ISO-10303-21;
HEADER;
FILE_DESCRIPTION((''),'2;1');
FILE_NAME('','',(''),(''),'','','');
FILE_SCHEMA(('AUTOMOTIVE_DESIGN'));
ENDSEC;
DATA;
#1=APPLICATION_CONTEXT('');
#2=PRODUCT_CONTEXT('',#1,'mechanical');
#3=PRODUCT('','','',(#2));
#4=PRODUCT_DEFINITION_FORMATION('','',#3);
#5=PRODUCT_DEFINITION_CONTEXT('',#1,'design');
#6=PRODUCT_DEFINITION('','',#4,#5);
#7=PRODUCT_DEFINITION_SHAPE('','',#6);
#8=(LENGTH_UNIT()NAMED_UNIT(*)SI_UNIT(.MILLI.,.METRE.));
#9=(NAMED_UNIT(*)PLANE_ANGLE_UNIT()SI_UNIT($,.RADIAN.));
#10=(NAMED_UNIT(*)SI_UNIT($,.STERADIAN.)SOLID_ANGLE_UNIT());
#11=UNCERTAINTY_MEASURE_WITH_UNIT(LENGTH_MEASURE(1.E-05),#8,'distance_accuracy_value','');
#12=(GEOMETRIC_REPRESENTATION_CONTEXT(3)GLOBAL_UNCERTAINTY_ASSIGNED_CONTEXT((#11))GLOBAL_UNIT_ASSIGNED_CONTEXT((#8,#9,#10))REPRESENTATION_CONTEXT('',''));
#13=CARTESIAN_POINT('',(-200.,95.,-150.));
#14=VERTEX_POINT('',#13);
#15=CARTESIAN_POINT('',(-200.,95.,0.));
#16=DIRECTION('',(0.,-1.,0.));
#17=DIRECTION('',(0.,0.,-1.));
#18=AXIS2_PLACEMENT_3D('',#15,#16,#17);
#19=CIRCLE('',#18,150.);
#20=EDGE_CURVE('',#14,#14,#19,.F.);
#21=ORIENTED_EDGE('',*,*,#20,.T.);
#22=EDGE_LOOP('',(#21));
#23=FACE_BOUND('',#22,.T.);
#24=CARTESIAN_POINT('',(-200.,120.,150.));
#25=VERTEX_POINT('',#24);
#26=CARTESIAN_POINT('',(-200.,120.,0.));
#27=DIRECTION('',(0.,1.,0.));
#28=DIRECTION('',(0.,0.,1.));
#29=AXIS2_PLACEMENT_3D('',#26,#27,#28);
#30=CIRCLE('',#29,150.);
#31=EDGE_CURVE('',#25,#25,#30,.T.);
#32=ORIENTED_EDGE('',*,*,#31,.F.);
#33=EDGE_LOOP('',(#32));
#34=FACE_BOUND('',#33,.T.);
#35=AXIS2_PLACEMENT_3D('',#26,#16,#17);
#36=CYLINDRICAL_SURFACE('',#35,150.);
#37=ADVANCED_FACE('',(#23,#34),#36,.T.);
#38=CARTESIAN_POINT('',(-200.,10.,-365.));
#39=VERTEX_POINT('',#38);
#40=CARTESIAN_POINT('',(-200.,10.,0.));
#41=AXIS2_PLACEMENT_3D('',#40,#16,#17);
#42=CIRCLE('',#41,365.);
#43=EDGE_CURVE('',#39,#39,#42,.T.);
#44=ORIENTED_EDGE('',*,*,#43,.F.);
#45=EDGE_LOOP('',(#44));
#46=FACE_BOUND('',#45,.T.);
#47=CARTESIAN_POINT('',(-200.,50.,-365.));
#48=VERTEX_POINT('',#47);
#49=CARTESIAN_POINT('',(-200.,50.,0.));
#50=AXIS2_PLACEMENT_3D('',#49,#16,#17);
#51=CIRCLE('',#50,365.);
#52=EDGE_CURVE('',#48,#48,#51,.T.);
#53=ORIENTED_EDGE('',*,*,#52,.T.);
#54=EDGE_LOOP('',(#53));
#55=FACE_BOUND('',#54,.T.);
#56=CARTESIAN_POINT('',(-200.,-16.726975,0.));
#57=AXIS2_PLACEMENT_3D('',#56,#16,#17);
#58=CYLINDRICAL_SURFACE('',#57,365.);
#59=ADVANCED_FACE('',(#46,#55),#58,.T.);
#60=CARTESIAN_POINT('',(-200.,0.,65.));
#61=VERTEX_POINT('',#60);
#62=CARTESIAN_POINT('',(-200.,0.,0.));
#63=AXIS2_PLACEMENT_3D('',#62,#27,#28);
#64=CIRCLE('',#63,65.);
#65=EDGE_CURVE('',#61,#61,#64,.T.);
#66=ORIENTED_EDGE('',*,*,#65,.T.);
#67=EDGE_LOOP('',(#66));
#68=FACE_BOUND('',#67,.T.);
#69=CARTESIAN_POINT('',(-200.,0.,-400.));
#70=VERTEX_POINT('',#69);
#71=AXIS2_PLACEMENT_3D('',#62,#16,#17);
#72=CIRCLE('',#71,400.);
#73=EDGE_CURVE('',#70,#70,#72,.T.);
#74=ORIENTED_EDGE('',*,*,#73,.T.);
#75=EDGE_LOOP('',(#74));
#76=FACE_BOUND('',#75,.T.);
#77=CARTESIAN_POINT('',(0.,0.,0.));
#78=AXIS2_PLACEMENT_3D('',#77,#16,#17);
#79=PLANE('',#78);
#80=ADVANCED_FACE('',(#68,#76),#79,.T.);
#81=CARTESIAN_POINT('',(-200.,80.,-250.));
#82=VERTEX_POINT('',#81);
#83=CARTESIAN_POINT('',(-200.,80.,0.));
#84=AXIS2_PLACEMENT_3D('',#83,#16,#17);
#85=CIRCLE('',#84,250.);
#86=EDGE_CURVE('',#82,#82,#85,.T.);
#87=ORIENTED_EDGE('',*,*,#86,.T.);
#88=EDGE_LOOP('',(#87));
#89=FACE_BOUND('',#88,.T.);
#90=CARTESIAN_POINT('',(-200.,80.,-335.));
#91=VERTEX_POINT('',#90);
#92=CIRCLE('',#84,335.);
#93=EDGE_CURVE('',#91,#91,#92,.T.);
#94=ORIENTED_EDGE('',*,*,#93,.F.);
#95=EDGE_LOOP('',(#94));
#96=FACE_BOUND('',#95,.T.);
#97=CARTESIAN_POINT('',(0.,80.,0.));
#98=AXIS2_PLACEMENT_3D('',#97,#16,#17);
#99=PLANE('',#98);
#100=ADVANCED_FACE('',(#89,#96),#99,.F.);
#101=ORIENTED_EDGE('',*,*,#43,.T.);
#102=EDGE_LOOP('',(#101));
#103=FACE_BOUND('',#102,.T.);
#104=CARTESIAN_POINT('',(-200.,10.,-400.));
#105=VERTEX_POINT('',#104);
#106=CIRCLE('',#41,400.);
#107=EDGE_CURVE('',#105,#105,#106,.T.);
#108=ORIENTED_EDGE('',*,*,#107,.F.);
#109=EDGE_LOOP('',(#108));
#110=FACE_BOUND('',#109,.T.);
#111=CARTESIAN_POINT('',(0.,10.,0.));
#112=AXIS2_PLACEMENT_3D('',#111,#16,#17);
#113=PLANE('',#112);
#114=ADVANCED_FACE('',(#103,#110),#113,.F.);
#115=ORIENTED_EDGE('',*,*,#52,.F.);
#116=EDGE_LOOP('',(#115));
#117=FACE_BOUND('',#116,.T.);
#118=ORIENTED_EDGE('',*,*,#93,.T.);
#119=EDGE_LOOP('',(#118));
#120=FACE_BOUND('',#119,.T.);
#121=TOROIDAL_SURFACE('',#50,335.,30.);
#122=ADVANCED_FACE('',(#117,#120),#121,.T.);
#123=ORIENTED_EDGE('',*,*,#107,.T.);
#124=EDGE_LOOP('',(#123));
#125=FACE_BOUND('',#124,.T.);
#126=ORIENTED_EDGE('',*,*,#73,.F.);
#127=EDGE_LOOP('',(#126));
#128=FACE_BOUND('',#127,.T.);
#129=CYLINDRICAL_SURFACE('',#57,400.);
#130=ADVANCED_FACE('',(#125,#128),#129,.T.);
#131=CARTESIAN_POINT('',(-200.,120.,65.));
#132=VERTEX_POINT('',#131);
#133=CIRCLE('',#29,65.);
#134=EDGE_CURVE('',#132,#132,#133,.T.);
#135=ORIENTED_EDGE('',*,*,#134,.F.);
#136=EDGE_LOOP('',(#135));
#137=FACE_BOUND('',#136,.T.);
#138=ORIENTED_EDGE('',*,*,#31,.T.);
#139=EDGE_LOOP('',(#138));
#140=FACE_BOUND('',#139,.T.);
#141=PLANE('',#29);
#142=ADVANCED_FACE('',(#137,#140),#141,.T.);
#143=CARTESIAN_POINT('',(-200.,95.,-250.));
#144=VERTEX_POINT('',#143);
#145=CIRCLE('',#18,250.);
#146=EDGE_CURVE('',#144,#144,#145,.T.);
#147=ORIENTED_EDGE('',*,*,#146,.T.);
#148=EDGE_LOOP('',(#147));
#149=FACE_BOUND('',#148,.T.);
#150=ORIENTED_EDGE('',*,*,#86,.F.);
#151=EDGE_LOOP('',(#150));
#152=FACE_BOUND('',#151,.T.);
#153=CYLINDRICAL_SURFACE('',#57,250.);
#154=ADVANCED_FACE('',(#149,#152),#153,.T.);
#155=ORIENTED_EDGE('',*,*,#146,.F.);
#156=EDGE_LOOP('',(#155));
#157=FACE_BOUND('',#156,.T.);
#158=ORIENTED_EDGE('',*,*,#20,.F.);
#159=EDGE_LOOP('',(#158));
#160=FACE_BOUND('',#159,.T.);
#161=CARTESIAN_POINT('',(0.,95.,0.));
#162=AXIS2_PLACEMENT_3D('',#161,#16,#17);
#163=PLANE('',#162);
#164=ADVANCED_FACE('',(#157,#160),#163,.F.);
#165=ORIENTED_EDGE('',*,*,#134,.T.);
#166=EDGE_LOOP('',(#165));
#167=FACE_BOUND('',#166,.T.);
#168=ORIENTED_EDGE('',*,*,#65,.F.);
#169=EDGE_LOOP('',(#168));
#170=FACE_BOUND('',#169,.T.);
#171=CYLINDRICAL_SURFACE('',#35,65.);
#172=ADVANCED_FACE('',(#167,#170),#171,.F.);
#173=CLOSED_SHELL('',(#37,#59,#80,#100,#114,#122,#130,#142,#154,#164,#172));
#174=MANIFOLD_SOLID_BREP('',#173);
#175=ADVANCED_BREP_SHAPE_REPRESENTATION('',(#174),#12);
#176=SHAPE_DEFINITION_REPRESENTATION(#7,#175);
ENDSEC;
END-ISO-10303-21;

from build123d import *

# Parameters (mm, degrees)
SKETCH4_R           = 150
SKETCH4_R_2         = 65
BOSS_EXTRUDE3_DEPTH = 40
SKETCH5_R           = 50
CUT_EXTRUDE1_DEPTH  = 11
SKETCH6_R           = 65
CUT_EXTRUDE2_DEPTH  = 121


with BuildPart() as part:
    # Sketch1 → Revolve2 (revolve)
    with BuildSketch(Plane.XY):
        with BuildLine():
            Line((-200, 10), (-200, 0))
            Line((-200, 0), (200, 0))
            Line((200, 0), (200, 10))
            Line((200, 10), (165, 10))
            Line((165, 10), (165, 50))
            ThreePointArc((165, 50), (156.213203436, 71.213203436), (135, 80))
            Line((135, 80), (50, 80))
            Line((50, 80), (50, 95))
            Line((50, 95), (-50, 95))
            Line((-50, 95), (-50, 80))
            Line((-50, 80), (-135, 80))
            ThreePointArc((-135, 80), (-156.213203436, 71.213203436), (-165, 50))
            Line((-165, 50), (-165, 10))
            Line((-165, 10), (-200, 10))
        make_face()
    revolve(axis=Axis((-200, -16.726974685, 0), (0, 1, 0)))

    # Sketch4 → Boss-Extrude3 (add)
    with BuildSketch(Plane(origin=(0, 80, 0), x_dir=(1, 0, 0), z_dir=(0, 1, 0))):
        with Locations((-200, 0)):
            Circle(SKETCH4_R)
        with Locations((-200, 0)):
            Circle(SKETCH4_R_2, mode=Mode.SUBTRACT)
    extrude(amount=BOSS_EXTRUDE3_DEPTH)

    # Sketch5 → Cut-Extrude1 (cut, through all)
    with BuildSketch(Plane(origin=(0, 10, 0), x_dir=(1, 0, 0), z_dir=(0, 1, 0))):
        with Locations((-200, 0)):
            Circle(SKETCH5_R)
    extrude(amount=-CUT_EXTRUDE1_DEPTH, mode=Mode.SUBTRACT)

    # Sketch6 → Cut-Extrude2 (cut, through all)
    with BuildSketch(Plane(origin=(0, 120, 0), x_dir=(1, 0, 0), z_dir=(0, 1, 0))):
        with Locations((-200, 0)):
            Circle(SKETCH6_R)
    extrude(amount=-CUT_EXTRUDE2_DEPTH, mode=Mode.SUBTRACT)


solid = part.part
